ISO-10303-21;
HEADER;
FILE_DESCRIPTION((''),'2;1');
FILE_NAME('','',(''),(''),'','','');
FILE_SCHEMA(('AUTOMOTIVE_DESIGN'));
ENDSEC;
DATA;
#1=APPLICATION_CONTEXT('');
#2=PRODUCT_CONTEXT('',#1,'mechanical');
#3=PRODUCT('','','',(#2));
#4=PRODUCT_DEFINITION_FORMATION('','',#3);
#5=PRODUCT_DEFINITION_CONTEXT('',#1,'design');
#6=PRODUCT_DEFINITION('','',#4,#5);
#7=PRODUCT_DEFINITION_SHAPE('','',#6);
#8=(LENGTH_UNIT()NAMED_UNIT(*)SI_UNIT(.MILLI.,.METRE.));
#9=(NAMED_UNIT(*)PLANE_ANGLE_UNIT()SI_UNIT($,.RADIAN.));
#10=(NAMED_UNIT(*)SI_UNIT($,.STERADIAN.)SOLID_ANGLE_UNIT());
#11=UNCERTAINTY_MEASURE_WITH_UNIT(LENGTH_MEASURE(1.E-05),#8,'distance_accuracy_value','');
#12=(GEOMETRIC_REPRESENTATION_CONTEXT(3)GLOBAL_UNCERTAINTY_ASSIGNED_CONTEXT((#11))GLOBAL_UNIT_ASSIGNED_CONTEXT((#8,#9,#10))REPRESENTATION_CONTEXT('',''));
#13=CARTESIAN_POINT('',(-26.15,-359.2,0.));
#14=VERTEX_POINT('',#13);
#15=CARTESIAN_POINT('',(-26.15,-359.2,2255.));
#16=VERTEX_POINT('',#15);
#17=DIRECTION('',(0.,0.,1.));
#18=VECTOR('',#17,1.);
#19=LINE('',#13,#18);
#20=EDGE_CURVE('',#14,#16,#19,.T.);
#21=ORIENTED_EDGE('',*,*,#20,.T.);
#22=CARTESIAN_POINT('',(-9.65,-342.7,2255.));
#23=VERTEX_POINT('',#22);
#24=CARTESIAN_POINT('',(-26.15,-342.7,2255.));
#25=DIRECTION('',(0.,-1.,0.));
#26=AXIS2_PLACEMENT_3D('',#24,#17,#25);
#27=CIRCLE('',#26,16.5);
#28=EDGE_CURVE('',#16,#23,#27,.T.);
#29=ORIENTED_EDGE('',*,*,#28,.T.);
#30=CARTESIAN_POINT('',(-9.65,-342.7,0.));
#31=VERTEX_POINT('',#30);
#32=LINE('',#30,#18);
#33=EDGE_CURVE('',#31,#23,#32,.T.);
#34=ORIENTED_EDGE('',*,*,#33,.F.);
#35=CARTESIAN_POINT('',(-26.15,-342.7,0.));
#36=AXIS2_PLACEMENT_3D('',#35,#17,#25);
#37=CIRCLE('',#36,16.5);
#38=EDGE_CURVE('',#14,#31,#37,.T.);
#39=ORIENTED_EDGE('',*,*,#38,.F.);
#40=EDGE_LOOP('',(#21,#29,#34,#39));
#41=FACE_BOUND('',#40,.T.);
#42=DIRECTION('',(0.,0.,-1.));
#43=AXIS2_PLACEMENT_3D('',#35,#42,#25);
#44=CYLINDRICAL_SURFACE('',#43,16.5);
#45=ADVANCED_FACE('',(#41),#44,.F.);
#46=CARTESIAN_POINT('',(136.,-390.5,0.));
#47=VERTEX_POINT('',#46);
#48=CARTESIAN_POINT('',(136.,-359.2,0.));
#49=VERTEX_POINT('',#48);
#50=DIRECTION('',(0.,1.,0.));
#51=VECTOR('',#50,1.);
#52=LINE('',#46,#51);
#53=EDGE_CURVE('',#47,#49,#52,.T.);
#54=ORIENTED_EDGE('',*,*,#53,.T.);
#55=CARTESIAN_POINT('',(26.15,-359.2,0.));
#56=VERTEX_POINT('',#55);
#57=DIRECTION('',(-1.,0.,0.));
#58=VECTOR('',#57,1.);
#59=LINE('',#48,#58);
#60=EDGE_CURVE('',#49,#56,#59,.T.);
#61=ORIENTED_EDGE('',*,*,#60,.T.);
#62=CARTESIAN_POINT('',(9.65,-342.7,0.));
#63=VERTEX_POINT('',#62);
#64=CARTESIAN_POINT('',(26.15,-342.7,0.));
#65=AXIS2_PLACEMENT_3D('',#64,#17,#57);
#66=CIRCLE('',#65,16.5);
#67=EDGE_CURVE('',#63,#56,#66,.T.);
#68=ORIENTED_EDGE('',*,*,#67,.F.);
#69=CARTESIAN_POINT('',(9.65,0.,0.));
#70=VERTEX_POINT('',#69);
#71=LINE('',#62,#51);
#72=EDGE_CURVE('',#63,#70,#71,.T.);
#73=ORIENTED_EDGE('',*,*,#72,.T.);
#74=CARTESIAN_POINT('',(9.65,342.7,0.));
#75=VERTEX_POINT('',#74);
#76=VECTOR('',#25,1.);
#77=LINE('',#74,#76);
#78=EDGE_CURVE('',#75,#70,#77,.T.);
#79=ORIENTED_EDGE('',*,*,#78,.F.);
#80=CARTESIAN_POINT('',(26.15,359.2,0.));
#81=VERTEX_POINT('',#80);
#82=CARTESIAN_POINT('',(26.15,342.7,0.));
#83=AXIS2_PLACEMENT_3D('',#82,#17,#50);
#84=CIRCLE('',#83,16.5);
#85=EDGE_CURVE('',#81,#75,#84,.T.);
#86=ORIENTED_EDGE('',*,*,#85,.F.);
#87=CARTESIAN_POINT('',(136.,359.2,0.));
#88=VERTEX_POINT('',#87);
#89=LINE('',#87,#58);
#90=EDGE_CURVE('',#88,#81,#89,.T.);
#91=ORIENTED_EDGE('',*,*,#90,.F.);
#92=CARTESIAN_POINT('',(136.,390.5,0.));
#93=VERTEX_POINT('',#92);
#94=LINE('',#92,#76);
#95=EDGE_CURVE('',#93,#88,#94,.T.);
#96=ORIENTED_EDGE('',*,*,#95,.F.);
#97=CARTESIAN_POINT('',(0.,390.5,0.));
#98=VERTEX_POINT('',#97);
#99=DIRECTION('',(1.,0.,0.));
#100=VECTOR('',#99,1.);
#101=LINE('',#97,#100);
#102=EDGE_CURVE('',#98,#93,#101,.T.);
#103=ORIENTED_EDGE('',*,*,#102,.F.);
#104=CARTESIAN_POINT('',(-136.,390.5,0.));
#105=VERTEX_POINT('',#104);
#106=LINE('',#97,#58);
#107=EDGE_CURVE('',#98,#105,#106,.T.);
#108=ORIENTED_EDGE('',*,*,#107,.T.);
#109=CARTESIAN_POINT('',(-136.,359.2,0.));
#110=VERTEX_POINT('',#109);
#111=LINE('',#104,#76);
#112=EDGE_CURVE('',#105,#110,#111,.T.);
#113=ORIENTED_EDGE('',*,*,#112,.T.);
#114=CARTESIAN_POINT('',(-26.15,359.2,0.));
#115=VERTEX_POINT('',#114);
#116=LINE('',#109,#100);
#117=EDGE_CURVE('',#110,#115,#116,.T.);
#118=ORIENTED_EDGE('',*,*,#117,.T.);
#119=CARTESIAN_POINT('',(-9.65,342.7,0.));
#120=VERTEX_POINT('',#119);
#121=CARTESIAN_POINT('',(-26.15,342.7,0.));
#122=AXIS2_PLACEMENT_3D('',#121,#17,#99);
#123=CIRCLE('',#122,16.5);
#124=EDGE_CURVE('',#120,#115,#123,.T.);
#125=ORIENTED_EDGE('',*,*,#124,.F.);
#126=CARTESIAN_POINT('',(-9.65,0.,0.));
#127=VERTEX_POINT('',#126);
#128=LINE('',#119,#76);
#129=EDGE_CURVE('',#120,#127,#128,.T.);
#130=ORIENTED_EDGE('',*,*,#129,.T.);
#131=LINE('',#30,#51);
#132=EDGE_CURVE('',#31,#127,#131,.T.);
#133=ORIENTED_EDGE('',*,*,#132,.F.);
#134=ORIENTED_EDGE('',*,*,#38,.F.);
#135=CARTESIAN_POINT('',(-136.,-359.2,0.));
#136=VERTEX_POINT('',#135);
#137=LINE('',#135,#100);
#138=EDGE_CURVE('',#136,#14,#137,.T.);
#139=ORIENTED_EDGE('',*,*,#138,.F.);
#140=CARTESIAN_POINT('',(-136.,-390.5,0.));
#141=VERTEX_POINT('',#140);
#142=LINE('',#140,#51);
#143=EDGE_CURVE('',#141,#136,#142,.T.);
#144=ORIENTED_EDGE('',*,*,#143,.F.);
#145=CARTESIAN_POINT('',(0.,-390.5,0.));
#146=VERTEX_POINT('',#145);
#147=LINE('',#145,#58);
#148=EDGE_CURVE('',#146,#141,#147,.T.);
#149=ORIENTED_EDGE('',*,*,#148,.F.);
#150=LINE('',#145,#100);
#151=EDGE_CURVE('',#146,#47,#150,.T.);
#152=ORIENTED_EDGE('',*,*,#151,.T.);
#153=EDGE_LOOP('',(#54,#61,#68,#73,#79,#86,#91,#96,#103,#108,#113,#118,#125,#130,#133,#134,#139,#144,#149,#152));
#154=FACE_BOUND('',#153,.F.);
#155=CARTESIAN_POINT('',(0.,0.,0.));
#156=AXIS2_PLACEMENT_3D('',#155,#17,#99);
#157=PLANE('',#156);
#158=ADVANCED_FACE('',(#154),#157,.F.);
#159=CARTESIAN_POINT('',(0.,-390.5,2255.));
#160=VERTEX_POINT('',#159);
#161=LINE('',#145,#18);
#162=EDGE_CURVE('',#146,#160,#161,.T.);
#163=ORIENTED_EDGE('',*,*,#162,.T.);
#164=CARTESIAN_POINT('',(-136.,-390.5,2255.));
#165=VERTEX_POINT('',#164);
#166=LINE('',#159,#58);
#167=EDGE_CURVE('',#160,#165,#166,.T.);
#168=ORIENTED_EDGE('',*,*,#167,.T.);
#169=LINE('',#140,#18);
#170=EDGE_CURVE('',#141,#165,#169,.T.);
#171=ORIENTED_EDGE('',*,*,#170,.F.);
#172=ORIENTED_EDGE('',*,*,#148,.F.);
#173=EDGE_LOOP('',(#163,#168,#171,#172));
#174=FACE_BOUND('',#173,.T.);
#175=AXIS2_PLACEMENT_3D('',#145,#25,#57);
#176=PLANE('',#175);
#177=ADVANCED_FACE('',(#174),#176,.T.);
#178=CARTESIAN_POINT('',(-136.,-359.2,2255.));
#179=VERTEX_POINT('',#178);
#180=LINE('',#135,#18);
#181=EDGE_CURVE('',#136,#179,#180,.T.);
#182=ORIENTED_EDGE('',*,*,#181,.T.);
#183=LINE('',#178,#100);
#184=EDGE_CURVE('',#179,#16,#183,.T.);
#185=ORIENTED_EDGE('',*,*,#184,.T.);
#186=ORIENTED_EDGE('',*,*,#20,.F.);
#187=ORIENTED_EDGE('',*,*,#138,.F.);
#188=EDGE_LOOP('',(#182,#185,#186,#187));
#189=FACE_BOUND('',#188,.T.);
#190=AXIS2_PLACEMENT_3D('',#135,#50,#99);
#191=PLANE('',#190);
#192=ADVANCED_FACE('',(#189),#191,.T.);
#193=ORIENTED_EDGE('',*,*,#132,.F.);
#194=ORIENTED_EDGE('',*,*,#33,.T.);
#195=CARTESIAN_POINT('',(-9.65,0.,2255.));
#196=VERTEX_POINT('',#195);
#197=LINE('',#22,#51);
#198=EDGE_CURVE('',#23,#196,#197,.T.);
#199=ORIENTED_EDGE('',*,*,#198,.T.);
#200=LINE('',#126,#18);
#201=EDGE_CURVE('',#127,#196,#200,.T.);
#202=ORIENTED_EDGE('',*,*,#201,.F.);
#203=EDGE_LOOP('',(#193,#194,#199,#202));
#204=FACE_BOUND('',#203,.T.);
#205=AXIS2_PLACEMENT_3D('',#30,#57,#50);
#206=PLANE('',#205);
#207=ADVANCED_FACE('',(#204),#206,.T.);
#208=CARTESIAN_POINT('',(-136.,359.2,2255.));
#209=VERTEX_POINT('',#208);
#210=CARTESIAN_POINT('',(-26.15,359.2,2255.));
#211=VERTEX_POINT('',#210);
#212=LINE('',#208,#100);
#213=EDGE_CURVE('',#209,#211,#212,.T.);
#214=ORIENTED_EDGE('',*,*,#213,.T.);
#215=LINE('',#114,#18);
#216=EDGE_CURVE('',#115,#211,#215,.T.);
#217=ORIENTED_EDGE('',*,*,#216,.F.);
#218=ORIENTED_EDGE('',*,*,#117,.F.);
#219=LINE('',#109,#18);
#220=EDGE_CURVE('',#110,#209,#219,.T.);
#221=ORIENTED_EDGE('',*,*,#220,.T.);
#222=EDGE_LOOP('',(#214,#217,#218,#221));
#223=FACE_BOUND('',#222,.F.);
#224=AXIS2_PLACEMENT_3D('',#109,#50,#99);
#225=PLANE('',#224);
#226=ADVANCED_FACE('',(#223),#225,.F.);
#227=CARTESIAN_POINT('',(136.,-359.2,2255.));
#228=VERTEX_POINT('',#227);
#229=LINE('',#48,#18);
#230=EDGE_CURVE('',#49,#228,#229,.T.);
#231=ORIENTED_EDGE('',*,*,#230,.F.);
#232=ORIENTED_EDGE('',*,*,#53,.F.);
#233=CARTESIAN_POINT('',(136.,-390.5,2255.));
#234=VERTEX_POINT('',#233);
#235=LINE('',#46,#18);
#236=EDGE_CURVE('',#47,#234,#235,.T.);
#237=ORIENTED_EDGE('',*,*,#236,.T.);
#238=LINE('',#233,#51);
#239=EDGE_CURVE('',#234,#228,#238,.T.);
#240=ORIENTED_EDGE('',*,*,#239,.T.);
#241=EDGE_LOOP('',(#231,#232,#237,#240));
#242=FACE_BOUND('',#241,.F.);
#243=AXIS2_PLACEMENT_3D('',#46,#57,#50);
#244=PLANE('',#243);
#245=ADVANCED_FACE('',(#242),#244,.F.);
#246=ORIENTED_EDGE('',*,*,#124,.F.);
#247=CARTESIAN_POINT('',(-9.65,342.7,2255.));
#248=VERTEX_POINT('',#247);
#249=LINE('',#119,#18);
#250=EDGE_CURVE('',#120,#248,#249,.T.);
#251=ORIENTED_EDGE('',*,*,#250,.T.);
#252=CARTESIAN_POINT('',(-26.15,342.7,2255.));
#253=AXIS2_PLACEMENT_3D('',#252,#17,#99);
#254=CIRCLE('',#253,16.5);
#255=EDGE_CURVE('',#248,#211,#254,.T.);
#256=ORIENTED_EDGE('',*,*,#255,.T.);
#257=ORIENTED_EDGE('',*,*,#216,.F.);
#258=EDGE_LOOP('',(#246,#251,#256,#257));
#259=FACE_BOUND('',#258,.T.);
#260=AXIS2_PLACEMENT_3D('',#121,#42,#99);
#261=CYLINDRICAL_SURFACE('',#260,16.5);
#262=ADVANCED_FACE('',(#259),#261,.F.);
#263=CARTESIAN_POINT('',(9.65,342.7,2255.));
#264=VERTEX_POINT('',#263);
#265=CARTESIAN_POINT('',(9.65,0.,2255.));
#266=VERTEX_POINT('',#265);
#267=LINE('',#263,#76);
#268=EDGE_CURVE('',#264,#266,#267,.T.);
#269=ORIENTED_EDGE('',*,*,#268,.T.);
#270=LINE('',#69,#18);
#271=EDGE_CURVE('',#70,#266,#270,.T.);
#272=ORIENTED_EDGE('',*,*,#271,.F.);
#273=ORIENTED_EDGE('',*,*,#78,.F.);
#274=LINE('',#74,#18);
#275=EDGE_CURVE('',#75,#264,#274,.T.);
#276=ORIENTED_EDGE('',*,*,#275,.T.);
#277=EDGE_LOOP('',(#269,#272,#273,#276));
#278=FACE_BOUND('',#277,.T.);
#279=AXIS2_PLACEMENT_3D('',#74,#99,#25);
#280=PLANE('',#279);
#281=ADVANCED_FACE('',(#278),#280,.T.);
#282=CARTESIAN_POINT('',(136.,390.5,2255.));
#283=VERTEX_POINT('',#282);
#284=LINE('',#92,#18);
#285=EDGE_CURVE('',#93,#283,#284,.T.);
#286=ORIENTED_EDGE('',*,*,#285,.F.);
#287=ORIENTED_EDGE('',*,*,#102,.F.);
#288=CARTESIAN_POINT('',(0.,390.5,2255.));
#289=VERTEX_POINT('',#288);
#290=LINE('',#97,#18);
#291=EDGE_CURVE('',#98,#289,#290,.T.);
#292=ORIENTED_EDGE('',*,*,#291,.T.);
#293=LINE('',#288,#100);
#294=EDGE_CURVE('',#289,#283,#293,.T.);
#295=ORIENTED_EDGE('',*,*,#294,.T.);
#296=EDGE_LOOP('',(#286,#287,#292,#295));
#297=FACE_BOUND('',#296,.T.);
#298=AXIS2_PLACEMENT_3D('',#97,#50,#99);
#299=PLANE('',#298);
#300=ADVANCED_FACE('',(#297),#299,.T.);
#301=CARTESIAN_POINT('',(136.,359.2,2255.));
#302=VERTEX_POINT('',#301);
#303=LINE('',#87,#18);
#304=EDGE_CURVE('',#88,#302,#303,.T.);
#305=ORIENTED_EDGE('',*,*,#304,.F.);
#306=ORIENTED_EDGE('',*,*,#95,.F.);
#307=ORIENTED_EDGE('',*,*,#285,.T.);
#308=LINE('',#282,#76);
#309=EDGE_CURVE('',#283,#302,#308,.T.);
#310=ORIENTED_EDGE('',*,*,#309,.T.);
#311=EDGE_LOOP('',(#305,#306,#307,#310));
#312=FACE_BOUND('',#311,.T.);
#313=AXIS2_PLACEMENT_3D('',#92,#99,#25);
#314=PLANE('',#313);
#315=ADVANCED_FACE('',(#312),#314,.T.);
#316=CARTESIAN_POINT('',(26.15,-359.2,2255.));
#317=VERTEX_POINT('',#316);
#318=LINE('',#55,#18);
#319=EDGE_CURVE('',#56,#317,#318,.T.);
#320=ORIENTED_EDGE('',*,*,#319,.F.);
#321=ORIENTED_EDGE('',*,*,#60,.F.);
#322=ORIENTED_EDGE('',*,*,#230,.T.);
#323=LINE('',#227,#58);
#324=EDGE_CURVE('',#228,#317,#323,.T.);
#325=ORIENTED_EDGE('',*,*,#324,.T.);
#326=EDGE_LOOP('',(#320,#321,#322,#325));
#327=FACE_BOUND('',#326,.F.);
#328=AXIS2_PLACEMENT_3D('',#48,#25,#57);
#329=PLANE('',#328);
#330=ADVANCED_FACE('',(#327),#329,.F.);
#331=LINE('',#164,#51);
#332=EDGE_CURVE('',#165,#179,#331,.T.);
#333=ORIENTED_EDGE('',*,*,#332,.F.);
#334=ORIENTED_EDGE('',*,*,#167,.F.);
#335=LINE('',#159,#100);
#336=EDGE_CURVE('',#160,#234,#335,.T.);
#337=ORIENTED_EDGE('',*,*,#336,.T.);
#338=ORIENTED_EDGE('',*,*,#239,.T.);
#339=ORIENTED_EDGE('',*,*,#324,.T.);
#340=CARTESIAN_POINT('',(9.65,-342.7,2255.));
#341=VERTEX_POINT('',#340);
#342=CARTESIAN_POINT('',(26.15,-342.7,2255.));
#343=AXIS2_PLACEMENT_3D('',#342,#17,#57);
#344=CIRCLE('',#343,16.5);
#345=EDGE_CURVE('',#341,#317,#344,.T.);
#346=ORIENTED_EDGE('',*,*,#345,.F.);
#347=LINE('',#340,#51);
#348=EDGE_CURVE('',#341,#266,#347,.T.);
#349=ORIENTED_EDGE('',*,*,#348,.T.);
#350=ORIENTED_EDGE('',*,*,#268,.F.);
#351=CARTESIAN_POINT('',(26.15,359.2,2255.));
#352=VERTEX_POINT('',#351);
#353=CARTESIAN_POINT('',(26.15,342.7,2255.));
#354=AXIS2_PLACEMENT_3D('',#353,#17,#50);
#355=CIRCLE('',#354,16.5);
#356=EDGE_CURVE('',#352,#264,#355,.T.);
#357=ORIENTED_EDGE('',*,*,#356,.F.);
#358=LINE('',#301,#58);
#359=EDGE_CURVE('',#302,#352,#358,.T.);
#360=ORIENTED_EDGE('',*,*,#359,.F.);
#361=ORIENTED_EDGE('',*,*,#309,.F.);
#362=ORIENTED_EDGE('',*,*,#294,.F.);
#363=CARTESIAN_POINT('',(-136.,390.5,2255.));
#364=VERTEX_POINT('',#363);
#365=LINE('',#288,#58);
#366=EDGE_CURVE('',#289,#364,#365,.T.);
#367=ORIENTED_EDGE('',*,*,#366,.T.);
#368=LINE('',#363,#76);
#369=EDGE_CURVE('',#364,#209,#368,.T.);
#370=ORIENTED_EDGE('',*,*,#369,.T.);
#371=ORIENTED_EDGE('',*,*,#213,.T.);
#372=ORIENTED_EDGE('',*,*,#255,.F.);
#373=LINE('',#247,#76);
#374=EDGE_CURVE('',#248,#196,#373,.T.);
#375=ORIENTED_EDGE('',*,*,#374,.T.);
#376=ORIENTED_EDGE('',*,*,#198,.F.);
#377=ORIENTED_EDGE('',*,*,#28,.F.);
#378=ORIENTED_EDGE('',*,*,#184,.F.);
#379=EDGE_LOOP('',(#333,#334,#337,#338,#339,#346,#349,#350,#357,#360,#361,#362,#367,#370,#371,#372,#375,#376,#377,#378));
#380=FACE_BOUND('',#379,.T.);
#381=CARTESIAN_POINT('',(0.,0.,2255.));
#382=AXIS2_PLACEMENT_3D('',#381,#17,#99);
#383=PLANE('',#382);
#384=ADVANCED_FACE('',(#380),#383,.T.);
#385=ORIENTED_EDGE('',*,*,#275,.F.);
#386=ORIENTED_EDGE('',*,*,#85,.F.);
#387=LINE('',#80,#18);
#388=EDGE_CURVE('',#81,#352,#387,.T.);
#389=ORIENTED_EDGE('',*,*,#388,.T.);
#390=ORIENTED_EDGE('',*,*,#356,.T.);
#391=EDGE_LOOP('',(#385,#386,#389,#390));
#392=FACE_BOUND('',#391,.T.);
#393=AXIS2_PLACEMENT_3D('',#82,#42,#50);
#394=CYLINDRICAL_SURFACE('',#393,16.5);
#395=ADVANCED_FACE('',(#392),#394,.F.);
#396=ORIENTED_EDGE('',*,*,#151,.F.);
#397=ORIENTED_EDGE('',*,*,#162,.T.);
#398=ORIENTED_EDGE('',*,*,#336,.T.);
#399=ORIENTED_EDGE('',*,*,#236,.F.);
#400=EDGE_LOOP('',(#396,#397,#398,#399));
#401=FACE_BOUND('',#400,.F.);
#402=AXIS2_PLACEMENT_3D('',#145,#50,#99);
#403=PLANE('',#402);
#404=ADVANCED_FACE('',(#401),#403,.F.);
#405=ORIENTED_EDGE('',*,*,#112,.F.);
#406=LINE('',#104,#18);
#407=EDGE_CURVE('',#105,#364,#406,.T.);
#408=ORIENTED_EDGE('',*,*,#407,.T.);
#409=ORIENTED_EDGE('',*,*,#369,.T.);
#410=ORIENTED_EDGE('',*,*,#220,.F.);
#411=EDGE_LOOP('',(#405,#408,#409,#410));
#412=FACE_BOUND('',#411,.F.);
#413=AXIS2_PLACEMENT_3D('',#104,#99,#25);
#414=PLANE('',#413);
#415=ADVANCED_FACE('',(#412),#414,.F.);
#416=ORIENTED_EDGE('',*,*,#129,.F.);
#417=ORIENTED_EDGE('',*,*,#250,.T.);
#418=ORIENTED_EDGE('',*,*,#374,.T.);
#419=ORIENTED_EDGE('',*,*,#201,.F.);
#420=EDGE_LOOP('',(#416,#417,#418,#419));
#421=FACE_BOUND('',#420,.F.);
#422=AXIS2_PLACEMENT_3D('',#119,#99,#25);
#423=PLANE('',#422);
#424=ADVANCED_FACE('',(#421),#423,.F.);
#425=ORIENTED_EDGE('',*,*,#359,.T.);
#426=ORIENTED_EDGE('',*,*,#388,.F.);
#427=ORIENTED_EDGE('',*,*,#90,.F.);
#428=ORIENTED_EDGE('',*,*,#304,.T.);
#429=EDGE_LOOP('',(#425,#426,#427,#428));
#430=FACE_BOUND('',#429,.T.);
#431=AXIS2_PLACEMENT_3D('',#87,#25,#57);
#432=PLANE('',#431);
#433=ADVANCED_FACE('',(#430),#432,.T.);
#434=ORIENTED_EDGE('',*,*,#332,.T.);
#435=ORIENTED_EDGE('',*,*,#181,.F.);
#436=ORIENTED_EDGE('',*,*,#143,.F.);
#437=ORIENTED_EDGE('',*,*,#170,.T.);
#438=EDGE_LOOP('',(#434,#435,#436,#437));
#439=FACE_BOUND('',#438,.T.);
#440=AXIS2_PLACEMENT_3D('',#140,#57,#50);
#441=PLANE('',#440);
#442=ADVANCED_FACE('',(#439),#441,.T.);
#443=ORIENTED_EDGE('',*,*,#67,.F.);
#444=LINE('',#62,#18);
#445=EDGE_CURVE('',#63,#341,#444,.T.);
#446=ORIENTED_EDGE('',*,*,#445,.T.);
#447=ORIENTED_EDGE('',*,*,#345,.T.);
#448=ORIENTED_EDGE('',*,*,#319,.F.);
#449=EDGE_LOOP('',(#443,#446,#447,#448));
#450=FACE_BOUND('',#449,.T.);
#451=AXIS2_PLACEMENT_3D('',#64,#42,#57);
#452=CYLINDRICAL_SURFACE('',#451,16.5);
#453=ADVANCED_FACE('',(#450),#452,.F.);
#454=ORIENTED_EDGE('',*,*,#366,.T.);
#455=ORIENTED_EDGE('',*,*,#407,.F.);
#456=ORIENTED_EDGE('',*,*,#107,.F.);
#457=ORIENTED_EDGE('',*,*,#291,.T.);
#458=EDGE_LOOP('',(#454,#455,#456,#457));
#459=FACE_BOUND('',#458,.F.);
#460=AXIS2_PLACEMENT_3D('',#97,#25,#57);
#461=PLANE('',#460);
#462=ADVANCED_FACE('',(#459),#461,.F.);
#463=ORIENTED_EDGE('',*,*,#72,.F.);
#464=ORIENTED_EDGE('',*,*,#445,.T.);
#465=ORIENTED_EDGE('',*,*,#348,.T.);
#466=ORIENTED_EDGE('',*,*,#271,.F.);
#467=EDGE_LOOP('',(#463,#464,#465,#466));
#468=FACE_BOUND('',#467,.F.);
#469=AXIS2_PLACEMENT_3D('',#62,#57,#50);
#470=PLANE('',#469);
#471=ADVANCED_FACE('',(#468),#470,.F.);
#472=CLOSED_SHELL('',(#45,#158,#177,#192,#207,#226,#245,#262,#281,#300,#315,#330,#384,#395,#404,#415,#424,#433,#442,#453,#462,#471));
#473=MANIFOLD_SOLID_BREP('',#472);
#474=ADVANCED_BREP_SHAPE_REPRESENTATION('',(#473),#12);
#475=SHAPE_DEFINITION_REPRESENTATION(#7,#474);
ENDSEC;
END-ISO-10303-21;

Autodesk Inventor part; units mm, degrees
ref_plane "YZ Plane" through (0, 0, 0) normal (1, 0, 0) x (0, 1, 0)
ref_plane "Start plane" through (0, 0, 0) normal (0, 0, 1) x (1, 0, 0)
ref_plane "End plane" through (0, 0, 2255) normal (0, 0, 1) x (1, 0, 0)
sketch "Sketch" plane through (0, 0, 0) normal (0, 0, 1) x (1, 0, 0)
  line L0 (-136, -390.5) -> (-136, -359.2)
  line L1 (-136, -359.2) -> (-26.15, -359.2)
  line L2 (-9.65, -342.7) -> (-9.65, 0)
  line L3 (-9.65, 0) -> (0, 0) construction
  line L4 (0, 0) -> (0, -390.5) construction
  line L5 (0, -390.5) -> (-136, -390.5)
  line L6 (-60, 0) -> (80, 0) construction
  line L7 (0, -60) -> (0, 80) construction
  line L8 (136, -390.5) -> (136, -359.2)
  line L9 (136, -359.2) -> (26.15, -359.2)
  line L10 (9.65, -342.7) -> (9.65, 0)
  line L11 (9.65, 0) -> (0, 0) construction
  line L12 (0, -390.5) -> (136, -390.5)
  line L13 (-136, 390.5) -> (-136, 359.2)
  line L14 (-136, 359.2) -> (-26.15, 359.2)
  line L15 (-9.65, 342.7) -> (-9.65, 0)
  line L16 (0, 390.5) -> (-136, 390.5)
  line L17 (136, 390.5) -> (136, 359.2)
  line L18 (136, 359.2) -> (26.15, 359.2)
  line L19 (0, 390.5) -> (136, 390.5)
  line L20 (9.65, 342.7) -> (9.65, 0)
  arc A0 (-9.65, 342.7) -> (-26.15, 359.2) centre (-26.15, 342.7) ccw
  arc A1 (26.15, 359.2) -> (9.65, 342.7) centre (26.15, 342.7) ccw
  arc A2 (9.65, -342.7) -> (26.15, -359.2) centre (26.15, -342.7) ccw
  arc A3 (-26.15, -359.2) -> (-9.65, -342.7) centre (-26.15, -342.7) ccw
  line L21 (0, 108) -> (0, -88) construction
  line L22 (-88, 0) -> (108, 0) construction
  point P0 (-9.65, -359.2)
  point P1 (9.65, -359.2)
  point P2 (-9.65, 359.2)
  point P3 (9.65, 359.2)
  dimension "d1" = 390.5
  dimension "d2" = 31.3
  dimension "d3" = 136
  dimension "d4" = 9.65
  dimension "d10" = 16.5
extrude "Body" add sketch "Sketch" along normal up to surface (2255 mm away) from surface at 0
sketch "Sketch4" plane through (0, 0, 0) normal (0, 0, 1) x (1, 0, 0)
  line L0 (0, 0) -> (10, 0)
ref_plane "Work Plane3" through (0, 0, 0) normal (0, -1, 0) x (1, 0, 0)
sketch "Sketch5" plane through (0, 0, 0) normal (0, -1, 0) x (1, 0, 0)
  line L0 (-2, 0) -> (12, 0) projected
  line L1 (-2, 2255) -> (12, 2255) projected
  dimension "d14" = 2255
equation "\"d1\" = 0.5 * G_H"
equation "\"d2\" = G_T1"
equation "\"d3\" = 0.5 * G_W"
equation "\"d4\" = 0.5 * G_T"
equation "\"d10\" = G_IR"
equation "\"d5\" = G_L"
equation "\"G_W\" = 272"
equation "\"G_H\" = 781"
equation "\"G_T\" = 19.3"
equation "\"G_T1\" = 31.3"
equation "\"G_IR\" = 16.5"
equation "\"G_L\" = d14"
equation "\"G_OFFSET_START\" = 0"
equation "\"G_OFFSET_END\" = 0"
equation "\"d12\" = G_OFFSET_END + B_L"
equation "\"B_L\" = 2255"
properties part number "AS 3679-1990 - 760 UB - 244 - 2255" material "Steel, Mild"
